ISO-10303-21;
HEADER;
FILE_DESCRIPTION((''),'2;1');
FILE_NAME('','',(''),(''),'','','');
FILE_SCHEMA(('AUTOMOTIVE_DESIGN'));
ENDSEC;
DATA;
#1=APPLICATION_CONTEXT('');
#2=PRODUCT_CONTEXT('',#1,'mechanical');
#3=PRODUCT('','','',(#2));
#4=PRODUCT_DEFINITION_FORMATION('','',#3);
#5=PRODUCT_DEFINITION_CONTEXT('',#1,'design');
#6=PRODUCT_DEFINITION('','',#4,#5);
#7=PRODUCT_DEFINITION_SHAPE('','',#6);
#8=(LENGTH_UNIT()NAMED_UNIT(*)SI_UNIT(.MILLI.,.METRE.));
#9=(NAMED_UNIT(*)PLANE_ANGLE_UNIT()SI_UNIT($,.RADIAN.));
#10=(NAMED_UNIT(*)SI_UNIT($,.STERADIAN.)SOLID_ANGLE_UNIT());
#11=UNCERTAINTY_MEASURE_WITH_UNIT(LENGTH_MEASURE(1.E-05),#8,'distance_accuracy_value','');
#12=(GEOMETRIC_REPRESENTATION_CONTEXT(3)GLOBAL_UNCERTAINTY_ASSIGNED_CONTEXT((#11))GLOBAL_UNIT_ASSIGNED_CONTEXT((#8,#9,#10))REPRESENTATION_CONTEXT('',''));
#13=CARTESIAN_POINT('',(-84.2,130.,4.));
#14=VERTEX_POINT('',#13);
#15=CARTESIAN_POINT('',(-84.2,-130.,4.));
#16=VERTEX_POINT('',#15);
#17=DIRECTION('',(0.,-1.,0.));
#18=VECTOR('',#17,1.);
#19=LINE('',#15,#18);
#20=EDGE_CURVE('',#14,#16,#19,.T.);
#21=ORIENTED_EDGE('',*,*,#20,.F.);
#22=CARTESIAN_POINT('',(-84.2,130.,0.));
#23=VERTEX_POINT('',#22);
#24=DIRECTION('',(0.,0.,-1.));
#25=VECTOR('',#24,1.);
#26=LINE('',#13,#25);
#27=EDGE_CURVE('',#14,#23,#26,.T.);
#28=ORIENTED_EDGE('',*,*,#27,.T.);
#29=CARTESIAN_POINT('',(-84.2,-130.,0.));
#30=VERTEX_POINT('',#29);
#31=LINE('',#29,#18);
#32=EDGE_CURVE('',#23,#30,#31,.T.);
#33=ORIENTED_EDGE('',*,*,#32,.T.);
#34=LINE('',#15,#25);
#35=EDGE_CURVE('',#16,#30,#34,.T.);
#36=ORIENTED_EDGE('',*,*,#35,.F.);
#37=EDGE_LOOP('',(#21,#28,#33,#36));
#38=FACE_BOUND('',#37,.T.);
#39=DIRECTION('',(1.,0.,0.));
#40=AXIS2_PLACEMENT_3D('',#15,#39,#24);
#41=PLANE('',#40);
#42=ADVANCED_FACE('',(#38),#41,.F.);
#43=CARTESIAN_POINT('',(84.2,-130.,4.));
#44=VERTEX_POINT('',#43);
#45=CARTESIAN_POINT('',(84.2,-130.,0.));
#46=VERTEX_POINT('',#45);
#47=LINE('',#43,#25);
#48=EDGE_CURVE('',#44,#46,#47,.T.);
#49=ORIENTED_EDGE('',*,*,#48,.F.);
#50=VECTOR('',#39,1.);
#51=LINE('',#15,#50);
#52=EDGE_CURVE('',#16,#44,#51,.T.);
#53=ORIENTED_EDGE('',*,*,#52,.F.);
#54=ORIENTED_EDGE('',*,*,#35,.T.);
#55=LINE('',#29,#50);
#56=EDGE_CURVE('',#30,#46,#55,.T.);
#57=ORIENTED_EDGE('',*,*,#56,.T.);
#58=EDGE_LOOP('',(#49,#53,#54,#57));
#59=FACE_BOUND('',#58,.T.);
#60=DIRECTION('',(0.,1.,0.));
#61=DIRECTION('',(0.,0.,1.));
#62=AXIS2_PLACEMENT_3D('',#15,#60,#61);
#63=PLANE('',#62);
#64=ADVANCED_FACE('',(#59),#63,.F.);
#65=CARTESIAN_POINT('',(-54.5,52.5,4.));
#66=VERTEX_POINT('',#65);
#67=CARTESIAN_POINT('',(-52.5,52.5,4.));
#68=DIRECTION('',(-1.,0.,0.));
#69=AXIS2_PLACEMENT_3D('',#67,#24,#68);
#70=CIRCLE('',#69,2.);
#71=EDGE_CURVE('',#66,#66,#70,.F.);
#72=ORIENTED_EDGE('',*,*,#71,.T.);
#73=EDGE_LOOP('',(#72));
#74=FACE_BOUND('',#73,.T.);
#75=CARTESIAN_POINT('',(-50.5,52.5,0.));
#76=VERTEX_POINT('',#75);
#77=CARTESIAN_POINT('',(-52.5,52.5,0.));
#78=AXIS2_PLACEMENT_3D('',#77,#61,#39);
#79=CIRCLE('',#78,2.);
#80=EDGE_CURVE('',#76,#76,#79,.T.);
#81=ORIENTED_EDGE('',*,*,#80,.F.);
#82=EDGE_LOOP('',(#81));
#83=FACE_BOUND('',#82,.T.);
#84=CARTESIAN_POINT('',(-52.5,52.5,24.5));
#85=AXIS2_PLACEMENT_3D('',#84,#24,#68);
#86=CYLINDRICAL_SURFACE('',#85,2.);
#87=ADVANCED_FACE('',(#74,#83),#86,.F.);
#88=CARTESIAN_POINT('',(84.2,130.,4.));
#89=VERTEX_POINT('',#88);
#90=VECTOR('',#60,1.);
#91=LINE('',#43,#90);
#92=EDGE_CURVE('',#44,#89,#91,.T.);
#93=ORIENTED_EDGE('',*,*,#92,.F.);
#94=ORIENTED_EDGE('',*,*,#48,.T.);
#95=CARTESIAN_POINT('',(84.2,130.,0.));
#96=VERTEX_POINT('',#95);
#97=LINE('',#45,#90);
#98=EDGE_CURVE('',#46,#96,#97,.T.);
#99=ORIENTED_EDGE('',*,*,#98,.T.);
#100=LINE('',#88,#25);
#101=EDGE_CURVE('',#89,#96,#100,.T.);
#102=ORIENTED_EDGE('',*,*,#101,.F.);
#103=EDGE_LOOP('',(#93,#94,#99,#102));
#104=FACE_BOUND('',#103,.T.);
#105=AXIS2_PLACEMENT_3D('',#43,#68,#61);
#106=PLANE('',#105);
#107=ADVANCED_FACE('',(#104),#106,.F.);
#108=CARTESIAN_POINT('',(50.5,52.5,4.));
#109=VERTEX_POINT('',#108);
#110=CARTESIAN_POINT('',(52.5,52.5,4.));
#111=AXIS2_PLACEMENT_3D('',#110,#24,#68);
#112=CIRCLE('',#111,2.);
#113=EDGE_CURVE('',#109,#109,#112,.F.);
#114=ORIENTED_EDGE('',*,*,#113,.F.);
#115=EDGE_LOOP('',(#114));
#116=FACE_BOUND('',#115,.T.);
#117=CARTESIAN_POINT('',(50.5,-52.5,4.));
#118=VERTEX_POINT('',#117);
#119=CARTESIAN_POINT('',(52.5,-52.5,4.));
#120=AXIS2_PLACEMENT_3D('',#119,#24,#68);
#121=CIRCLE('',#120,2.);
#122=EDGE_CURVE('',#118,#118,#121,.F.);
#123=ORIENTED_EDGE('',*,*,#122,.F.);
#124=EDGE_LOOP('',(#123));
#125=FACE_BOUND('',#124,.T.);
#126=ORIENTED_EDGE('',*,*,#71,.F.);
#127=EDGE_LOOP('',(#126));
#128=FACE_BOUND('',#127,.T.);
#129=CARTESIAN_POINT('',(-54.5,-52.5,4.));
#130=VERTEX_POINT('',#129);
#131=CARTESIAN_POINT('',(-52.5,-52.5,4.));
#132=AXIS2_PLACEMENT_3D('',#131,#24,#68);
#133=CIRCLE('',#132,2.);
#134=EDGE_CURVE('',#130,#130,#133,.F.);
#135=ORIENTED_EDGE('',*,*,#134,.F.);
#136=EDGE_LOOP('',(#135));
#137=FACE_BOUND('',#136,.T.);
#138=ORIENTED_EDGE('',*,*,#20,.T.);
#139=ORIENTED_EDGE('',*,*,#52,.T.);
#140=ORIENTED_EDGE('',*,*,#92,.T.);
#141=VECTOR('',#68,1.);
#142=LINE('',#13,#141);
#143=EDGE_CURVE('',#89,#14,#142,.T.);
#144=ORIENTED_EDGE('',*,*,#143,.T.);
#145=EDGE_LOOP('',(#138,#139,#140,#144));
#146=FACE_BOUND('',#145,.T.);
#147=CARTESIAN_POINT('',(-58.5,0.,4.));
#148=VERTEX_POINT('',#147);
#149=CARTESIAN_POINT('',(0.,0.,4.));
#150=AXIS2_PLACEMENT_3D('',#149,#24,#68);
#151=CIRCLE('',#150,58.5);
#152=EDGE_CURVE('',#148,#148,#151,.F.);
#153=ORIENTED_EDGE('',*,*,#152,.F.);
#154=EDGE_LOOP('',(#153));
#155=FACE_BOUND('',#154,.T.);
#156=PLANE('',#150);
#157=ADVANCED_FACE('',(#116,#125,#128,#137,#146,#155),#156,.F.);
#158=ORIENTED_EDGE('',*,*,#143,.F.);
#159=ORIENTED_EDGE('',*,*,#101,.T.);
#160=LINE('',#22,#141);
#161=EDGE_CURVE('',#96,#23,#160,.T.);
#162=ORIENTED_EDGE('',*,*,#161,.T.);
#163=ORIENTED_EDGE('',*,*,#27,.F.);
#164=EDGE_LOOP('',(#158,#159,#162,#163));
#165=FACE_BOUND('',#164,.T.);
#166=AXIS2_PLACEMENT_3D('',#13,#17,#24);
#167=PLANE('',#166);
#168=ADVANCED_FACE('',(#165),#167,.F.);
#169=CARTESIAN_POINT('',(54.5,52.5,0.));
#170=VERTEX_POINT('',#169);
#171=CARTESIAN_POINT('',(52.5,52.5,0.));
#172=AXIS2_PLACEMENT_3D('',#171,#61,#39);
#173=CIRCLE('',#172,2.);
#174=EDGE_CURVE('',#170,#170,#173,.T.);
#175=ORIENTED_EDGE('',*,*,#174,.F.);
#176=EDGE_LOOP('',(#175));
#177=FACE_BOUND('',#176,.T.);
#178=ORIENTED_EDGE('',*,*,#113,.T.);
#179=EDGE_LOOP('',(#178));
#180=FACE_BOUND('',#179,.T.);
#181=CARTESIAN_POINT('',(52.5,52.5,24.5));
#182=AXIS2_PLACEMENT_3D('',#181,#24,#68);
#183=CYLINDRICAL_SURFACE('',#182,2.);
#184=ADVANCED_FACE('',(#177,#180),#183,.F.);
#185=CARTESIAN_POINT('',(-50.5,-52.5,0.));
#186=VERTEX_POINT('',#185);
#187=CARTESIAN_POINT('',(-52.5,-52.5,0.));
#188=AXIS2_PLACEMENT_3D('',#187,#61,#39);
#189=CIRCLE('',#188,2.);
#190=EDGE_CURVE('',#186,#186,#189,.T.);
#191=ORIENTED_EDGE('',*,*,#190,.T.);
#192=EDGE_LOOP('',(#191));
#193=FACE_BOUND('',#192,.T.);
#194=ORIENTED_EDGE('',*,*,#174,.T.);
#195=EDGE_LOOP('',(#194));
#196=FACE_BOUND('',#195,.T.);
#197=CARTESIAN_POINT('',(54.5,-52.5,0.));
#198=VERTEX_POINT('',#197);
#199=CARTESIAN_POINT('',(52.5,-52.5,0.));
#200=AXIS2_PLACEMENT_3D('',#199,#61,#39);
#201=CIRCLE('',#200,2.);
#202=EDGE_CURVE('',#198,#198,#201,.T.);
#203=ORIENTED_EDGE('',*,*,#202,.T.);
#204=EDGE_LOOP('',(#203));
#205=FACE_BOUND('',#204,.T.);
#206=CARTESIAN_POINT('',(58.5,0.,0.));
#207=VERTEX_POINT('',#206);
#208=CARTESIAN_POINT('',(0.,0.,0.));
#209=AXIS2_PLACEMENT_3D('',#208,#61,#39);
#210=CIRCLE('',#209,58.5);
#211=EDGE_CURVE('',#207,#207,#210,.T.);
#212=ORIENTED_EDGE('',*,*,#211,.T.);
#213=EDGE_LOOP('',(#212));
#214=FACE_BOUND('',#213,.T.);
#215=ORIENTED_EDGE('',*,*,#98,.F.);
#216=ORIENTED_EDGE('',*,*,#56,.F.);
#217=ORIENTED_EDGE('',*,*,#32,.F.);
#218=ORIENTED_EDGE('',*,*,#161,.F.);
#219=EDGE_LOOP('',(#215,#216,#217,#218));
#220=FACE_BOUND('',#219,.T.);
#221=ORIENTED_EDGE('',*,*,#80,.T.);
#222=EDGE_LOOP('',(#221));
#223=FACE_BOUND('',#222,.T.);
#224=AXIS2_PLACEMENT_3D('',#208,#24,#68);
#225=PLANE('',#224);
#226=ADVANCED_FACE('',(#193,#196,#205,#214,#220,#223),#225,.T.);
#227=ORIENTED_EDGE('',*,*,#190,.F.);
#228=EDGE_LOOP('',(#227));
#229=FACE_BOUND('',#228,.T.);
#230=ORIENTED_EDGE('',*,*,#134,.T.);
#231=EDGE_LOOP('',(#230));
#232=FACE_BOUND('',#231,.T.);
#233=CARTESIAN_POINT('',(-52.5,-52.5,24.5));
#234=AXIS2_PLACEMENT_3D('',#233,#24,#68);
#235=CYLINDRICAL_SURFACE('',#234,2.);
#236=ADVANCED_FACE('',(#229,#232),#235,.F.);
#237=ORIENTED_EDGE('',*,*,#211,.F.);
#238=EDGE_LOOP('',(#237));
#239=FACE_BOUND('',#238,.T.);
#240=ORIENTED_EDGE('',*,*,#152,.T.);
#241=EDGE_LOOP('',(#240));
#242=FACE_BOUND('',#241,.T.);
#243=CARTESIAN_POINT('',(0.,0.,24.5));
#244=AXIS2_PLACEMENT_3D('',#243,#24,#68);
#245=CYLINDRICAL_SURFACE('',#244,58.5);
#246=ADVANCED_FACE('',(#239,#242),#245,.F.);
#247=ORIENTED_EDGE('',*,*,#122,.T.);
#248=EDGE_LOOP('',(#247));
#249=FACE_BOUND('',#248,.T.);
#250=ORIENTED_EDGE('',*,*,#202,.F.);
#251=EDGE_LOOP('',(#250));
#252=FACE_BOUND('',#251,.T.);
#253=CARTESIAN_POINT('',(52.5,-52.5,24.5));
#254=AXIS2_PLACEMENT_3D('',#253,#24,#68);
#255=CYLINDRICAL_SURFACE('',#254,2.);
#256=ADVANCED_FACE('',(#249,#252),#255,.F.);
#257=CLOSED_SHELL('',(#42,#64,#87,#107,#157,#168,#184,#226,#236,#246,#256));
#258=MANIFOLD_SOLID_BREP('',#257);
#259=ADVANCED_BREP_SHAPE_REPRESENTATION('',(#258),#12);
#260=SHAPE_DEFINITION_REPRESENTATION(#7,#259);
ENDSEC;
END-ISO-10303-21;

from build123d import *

# Parameters (mm, degrees)
SKETCH1_W          = 168.4
SKETCH1_H          = 260
EXTRUDE1_DEPTH     = 4
SKETCH2_R          = 58.5
SKETCH2_R_2        = 2
CUT_EXTRUDE5_DEPTH = 4


with BuildPart() as part:
    # Sketch1 → Extrude1 (new body)
    with BuildSketch(Plane.XY):
        Rectangle(SKETCH1_W, SKETCH1_H)
    extrude(amount=EXTRUDE1_DEPTH)

    # Sketch2 → Cut-Extrude5 (cut)
    with BuildSketch(Plane.XY):
        Circle(SKETCH2_R)
        with Locations((-52.5, -52.5)):
            Circle(SKETCH2_R_2)
        with Locations((52.5, -52.5)):
            Circle(SKETCH2_R_2)
        with Locations((52.5, 52.5)):
            Circle(SKETCH2_R_2)
        with Locations((-52.5, 52.5)):
            Circle(SKETCH2_R_2)
    extrude(amount=CUT_EXTRUDE5_DEPTH, mode=Mode.SUBTRACT)


solid = part.part
